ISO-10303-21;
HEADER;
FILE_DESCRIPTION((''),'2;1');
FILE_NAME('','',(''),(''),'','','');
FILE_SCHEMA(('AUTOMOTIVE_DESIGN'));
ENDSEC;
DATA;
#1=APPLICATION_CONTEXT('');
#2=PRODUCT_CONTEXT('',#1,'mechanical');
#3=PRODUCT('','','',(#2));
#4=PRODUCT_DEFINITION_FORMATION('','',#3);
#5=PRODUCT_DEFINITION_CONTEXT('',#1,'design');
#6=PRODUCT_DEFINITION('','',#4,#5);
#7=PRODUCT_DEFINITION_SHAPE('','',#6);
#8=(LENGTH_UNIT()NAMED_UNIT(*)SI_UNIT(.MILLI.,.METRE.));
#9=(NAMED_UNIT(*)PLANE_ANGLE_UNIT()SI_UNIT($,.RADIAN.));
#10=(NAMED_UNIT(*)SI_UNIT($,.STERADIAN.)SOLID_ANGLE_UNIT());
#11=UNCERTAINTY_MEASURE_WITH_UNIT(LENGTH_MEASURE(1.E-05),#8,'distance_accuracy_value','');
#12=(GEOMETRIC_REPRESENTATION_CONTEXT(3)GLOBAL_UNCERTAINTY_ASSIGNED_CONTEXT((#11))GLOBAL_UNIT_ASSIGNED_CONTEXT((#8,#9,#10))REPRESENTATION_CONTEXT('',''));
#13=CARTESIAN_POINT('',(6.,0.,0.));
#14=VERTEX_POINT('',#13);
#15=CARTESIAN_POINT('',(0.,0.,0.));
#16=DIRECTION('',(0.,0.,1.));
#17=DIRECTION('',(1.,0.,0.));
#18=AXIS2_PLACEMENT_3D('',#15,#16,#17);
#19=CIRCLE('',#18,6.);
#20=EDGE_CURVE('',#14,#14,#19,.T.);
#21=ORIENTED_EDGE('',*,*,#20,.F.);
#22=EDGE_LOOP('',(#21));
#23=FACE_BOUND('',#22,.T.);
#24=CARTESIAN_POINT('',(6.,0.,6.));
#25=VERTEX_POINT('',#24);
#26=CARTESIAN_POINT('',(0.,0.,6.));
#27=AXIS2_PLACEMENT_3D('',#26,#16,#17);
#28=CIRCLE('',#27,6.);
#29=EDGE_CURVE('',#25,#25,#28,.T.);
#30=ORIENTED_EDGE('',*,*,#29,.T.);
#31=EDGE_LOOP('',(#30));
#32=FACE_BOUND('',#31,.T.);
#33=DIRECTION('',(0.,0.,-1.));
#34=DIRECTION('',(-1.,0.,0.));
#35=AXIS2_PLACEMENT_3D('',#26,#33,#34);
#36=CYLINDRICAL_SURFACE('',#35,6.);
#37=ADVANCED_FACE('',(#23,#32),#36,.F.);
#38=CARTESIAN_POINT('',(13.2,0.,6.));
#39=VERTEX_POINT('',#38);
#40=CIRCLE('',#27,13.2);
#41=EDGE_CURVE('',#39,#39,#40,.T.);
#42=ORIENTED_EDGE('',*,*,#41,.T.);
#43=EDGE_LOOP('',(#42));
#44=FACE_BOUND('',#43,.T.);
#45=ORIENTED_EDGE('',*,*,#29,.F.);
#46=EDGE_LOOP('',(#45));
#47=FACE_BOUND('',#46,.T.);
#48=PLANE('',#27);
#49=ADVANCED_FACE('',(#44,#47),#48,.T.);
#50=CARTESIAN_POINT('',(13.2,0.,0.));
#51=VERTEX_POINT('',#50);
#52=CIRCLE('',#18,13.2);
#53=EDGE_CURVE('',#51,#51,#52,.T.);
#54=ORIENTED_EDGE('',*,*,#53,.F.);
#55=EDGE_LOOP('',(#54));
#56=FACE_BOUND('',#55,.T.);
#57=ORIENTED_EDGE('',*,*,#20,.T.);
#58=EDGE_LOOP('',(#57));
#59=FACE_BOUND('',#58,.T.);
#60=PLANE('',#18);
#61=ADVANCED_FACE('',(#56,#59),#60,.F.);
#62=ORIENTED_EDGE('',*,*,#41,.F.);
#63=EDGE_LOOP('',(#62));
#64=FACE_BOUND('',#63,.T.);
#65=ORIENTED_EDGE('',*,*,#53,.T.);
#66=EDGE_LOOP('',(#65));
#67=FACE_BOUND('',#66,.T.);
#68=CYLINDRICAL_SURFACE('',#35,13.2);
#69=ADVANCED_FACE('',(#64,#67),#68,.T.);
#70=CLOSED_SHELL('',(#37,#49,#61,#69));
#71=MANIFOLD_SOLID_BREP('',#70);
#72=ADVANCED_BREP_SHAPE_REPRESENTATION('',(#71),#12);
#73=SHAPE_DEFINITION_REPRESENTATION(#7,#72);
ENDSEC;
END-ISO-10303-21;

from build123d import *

# Parameters (mm, degrees)
SKETCH1_R           = 13.2
SKETCH1_R_2         = 6
BOSS_EXTRUDE1_DEPTH = 6


with BuildPart() as part:
    # Sketch1 → Boss-Extrude1 (new body)
    with BuildSketch(Plane.XY):
        Circle(SKETCH1_R)
        Circle(SKETCH1_R_2, mode=Mode.SUBTRACT)
    extrude(amount=BOSS_EXTRUDE1_DEPTH)


solid = part.part
